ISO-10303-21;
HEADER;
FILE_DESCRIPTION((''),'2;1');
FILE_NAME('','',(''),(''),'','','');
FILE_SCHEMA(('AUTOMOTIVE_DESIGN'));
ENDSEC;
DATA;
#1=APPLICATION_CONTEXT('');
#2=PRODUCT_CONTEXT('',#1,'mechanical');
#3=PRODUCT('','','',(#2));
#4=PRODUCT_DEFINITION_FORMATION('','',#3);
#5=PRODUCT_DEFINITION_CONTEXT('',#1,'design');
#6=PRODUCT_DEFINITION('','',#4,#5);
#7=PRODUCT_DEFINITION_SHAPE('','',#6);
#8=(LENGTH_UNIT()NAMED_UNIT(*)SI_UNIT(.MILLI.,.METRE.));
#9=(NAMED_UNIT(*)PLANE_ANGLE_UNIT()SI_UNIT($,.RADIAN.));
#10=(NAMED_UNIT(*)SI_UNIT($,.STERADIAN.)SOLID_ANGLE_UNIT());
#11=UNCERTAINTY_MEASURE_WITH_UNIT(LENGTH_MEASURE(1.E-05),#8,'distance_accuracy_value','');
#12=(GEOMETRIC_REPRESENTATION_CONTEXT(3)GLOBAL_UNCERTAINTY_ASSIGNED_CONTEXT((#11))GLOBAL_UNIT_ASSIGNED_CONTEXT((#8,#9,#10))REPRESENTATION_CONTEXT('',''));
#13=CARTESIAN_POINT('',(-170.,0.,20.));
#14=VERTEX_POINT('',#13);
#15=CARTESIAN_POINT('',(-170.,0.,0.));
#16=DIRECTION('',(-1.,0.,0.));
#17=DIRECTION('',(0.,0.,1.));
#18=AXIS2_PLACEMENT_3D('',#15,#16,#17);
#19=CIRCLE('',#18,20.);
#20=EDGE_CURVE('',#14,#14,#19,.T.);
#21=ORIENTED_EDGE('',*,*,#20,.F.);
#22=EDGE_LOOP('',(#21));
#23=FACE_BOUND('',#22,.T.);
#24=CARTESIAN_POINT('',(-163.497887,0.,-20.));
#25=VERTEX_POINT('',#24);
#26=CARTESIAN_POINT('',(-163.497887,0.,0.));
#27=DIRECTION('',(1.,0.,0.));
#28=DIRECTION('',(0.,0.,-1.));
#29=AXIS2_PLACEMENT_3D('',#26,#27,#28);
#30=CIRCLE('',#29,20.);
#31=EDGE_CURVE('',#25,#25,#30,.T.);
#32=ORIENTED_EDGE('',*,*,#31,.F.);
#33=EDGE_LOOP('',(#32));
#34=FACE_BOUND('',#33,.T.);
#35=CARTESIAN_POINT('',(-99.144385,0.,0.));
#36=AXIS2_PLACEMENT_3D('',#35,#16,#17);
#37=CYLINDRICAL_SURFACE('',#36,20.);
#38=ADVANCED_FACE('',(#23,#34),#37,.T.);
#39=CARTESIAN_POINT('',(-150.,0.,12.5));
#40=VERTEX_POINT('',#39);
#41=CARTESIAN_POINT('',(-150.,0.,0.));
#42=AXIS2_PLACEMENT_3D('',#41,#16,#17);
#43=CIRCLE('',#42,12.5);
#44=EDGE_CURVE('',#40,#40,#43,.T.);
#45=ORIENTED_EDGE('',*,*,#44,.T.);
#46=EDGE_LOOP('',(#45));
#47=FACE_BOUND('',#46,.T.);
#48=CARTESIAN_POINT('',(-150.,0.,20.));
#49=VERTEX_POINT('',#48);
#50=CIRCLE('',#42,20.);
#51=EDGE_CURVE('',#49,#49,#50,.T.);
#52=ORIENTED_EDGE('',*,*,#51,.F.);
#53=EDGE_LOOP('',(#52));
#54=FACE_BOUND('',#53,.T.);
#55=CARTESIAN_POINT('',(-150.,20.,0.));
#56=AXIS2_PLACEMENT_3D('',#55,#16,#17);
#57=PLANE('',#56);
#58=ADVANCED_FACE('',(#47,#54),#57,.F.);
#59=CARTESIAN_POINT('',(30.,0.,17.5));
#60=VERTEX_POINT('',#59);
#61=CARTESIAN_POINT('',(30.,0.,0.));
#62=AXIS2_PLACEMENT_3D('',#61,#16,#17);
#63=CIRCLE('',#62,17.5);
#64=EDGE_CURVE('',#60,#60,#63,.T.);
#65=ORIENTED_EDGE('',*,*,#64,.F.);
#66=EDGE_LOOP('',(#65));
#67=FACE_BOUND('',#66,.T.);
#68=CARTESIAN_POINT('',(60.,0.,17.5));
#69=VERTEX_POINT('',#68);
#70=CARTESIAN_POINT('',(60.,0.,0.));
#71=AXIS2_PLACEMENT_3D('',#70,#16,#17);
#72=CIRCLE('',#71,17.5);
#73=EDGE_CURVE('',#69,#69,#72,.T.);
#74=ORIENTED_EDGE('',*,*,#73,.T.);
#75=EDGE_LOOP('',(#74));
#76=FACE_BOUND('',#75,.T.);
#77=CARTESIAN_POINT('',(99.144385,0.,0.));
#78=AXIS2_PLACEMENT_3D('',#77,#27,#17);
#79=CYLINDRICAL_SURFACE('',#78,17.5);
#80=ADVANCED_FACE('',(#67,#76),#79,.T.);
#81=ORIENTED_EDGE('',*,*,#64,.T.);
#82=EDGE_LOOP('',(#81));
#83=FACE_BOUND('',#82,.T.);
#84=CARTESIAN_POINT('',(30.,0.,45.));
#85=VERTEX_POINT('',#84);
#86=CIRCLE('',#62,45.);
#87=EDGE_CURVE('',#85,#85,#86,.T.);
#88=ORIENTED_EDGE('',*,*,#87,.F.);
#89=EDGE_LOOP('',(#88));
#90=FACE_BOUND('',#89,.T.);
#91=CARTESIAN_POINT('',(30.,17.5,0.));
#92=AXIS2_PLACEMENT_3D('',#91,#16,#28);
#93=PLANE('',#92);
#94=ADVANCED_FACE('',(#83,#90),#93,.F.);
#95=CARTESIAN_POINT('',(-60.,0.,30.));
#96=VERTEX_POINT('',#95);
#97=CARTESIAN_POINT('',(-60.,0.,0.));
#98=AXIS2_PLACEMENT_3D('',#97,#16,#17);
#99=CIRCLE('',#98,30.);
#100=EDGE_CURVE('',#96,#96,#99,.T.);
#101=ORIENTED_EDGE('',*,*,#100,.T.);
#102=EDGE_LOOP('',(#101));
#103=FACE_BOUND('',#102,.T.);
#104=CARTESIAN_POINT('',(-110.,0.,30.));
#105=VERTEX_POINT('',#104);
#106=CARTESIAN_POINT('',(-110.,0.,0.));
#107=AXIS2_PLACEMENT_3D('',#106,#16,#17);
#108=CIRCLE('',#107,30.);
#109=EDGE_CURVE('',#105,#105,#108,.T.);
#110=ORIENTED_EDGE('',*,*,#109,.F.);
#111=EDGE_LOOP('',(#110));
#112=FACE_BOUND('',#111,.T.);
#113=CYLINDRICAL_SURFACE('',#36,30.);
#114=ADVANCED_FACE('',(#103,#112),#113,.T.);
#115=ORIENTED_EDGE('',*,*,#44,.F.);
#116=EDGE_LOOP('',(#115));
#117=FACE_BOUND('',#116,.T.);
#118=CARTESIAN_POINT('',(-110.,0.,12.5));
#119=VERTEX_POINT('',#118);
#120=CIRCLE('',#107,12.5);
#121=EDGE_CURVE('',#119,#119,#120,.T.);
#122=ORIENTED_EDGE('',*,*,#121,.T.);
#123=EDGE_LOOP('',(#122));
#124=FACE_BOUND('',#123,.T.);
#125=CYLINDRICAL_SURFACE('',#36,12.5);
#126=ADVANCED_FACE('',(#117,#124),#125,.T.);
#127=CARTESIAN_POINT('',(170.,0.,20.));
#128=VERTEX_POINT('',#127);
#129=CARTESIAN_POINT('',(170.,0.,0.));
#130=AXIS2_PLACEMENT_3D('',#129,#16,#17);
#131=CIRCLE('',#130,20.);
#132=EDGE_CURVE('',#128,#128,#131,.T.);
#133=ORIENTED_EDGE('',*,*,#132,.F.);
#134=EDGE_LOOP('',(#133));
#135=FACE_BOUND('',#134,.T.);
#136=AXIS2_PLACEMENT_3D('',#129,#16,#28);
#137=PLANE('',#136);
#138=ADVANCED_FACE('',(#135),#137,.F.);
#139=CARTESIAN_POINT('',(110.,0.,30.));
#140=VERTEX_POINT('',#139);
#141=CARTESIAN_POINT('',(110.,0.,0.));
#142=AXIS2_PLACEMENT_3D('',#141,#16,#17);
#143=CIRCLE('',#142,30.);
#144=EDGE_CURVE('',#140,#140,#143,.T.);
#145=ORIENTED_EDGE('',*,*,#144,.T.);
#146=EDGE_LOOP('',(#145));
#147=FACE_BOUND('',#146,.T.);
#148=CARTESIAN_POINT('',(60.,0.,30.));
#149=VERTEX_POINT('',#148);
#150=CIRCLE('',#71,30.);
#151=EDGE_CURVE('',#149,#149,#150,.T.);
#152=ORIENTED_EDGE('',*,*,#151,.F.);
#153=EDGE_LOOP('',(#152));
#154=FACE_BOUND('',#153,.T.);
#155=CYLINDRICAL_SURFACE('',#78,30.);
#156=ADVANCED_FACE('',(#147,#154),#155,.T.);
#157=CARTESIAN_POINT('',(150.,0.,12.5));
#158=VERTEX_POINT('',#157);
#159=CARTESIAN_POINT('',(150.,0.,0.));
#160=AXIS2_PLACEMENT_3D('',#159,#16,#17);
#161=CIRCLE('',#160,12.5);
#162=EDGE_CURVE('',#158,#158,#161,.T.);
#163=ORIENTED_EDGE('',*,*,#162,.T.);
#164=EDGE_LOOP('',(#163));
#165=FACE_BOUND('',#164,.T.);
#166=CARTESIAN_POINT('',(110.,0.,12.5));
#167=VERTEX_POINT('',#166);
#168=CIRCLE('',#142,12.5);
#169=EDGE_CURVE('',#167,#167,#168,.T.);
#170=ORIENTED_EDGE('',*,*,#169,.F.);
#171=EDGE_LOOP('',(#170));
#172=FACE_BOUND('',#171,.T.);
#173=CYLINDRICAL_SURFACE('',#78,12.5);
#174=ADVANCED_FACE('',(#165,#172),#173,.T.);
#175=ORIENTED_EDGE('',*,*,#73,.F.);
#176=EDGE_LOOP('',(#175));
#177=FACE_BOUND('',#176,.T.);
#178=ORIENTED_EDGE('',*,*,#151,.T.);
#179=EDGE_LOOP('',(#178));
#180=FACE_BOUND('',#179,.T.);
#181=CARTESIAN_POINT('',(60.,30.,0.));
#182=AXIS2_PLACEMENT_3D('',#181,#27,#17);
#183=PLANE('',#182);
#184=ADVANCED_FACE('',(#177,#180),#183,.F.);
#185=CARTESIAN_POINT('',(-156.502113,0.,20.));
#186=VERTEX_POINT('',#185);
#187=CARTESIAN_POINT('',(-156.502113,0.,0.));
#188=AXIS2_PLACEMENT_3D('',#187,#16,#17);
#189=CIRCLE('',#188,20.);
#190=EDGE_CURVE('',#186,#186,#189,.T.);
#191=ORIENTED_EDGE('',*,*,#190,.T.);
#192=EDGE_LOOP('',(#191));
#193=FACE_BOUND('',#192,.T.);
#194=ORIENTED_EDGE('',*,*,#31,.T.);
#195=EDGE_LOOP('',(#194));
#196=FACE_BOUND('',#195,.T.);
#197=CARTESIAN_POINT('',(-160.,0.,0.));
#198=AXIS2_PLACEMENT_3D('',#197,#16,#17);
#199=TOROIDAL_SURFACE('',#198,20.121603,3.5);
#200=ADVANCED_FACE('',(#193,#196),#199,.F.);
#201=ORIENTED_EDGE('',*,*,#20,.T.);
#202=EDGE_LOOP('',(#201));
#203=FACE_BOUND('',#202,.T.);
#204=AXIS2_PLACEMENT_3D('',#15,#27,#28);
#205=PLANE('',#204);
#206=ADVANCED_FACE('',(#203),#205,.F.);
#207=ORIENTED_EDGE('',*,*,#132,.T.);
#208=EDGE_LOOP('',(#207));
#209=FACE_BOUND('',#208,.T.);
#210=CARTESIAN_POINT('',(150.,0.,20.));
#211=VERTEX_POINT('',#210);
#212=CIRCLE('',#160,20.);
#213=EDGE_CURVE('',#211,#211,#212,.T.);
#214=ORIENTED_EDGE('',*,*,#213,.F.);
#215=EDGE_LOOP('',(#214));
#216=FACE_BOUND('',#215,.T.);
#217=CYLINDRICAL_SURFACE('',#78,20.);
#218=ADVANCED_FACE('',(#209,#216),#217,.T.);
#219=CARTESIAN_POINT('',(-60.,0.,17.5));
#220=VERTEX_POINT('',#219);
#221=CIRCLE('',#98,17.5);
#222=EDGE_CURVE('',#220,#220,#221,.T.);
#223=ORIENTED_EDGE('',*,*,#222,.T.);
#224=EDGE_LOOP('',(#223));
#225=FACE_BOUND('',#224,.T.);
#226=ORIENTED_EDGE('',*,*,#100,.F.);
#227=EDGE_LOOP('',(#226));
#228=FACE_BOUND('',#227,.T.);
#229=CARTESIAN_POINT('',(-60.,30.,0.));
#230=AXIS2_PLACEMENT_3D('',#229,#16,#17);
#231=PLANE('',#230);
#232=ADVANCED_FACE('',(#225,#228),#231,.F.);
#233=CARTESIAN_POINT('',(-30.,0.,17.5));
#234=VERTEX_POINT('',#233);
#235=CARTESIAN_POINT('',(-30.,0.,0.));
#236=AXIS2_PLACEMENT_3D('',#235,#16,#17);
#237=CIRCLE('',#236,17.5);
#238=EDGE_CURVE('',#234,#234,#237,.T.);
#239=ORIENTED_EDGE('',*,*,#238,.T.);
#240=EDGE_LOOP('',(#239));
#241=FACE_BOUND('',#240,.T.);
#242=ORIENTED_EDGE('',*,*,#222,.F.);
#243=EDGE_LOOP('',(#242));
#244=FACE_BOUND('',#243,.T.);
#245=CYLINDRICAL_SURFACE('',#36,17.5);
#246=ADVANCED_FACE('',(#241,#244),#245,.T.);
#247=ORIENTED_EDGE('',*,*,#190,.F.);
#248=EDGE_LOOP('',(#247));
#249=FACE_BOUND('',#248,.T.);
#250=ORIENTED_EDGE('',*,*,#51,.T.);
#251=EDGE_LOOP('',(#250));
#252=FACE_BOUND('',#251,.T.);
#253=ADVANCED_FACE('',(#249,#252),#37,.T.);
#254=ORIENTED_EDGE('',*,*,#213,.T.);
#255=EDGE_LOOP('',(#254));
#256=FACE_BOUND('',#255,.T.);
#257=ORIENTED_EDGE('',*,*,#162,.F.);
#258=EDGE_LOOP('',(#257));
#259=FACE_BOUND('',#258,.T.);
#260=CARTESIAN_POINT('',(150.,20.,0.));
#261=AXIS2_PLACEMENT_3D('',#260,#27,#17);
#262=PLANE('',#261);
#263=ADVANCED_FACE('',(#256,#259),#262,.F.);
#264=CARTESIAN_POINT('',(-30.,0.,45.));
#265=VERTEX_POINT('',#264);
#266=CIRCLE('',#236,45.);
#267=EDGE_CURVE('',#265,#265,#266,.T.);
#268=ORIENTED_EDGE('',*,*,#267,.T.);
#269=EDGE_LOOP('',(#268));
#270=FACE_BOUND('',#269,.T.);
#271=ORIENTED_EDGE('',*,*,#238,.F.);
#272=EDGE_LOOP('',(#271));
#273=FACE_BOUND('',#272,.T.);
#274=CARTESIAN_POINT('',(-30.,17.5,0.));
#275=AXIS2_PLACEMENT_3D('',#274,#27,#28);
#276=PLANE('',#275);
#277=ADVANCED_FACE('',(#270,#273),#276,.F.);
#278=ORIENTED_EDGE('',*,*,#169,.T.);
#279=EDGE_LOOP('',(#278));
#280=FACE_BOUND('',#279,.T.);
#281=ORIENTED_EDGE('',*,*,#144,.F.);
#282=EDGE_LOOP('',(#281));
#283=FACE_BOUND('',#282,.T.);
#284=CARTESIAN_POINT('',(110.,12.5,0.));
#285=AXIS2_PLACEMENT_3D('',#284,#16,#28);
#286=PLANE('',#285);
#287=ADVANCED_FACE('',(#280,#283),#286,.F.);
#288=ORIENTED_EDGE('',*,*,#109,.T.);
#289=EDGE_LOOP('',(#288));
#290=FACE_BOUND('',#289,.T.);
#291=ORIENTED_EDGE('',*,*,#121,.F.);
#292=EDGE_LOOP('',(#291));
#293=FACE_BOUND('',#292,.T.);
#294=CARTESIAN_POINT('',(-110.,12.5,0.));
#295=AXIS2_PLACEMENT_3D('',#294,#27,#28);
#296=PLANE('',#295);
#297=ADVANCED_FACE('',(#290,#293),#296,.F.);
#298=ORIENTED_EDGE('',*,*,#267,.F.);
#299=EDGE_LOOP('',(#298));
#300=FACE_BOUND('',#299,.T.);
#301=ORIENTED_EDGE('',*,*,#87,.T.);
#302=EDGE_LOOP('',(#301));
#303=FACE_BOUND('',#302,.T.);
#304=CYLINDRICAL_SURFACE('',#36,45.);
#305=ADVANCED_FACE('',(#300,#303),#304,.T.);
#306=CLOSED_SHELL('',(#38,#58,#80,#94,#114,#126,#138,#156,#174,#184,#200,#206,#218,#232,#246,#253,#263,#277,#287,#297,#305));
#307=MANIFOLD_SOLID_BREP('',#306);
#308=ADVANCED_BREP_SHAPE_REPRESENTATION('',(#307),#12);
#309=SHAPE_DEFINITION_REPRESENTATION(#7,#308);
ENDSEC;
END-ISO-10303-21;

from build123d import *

# Parameters (mm, degrees)
SKETCH2_R = 3.5


with BuildPart() as part:
    # Sketch1 → Revolve1 (revolve)
    with BuildSketch(Plane.XY, mode=Mode.PRIVATE) as revolve1_sk:
        Polygon((-170, 0), (-170, 20), (-150, 20), (-150, 12.5), (-110, 12.5), (-110, 30), (-60, 30), (-60, 17.5), (-30, 17.5), (-30, 45), (0, 45), (0, 0), align=None)
    revolve1 = revolve(revolve1_sk.sketch.rotate(Axis((-99.144385027, 0, 0), (1, 0, 0)), 90), axis=Axis((-99.144385027, 0, 0), (1, 0, 0)))

    # Sketch2 → Cut-Revolve1 (revolve, cut)
    with BuildSketch(Plane.XY, mode=Mode.PRIVATE) as cut_revolve1_sk:
        with Locations((-160, 20.12160323)):
            Circle(SKETCH2_R)
    revolve(cut_revolve1_sk.sketch.rotate(Axis((-170, 0, 0), (1, 0, 0)), 90), axis=Axis((-170, 0, 0), (1, 0, 0)), mode=Mode.SUBTRACT)

    # Mirror1: Revolve1 across plane
    add(revolve1.mirror(Plane(origin=(0, 0, 0), x_dir=(0, 0, 1), z_dir=(1, 0, 0))))


solid = part.part
